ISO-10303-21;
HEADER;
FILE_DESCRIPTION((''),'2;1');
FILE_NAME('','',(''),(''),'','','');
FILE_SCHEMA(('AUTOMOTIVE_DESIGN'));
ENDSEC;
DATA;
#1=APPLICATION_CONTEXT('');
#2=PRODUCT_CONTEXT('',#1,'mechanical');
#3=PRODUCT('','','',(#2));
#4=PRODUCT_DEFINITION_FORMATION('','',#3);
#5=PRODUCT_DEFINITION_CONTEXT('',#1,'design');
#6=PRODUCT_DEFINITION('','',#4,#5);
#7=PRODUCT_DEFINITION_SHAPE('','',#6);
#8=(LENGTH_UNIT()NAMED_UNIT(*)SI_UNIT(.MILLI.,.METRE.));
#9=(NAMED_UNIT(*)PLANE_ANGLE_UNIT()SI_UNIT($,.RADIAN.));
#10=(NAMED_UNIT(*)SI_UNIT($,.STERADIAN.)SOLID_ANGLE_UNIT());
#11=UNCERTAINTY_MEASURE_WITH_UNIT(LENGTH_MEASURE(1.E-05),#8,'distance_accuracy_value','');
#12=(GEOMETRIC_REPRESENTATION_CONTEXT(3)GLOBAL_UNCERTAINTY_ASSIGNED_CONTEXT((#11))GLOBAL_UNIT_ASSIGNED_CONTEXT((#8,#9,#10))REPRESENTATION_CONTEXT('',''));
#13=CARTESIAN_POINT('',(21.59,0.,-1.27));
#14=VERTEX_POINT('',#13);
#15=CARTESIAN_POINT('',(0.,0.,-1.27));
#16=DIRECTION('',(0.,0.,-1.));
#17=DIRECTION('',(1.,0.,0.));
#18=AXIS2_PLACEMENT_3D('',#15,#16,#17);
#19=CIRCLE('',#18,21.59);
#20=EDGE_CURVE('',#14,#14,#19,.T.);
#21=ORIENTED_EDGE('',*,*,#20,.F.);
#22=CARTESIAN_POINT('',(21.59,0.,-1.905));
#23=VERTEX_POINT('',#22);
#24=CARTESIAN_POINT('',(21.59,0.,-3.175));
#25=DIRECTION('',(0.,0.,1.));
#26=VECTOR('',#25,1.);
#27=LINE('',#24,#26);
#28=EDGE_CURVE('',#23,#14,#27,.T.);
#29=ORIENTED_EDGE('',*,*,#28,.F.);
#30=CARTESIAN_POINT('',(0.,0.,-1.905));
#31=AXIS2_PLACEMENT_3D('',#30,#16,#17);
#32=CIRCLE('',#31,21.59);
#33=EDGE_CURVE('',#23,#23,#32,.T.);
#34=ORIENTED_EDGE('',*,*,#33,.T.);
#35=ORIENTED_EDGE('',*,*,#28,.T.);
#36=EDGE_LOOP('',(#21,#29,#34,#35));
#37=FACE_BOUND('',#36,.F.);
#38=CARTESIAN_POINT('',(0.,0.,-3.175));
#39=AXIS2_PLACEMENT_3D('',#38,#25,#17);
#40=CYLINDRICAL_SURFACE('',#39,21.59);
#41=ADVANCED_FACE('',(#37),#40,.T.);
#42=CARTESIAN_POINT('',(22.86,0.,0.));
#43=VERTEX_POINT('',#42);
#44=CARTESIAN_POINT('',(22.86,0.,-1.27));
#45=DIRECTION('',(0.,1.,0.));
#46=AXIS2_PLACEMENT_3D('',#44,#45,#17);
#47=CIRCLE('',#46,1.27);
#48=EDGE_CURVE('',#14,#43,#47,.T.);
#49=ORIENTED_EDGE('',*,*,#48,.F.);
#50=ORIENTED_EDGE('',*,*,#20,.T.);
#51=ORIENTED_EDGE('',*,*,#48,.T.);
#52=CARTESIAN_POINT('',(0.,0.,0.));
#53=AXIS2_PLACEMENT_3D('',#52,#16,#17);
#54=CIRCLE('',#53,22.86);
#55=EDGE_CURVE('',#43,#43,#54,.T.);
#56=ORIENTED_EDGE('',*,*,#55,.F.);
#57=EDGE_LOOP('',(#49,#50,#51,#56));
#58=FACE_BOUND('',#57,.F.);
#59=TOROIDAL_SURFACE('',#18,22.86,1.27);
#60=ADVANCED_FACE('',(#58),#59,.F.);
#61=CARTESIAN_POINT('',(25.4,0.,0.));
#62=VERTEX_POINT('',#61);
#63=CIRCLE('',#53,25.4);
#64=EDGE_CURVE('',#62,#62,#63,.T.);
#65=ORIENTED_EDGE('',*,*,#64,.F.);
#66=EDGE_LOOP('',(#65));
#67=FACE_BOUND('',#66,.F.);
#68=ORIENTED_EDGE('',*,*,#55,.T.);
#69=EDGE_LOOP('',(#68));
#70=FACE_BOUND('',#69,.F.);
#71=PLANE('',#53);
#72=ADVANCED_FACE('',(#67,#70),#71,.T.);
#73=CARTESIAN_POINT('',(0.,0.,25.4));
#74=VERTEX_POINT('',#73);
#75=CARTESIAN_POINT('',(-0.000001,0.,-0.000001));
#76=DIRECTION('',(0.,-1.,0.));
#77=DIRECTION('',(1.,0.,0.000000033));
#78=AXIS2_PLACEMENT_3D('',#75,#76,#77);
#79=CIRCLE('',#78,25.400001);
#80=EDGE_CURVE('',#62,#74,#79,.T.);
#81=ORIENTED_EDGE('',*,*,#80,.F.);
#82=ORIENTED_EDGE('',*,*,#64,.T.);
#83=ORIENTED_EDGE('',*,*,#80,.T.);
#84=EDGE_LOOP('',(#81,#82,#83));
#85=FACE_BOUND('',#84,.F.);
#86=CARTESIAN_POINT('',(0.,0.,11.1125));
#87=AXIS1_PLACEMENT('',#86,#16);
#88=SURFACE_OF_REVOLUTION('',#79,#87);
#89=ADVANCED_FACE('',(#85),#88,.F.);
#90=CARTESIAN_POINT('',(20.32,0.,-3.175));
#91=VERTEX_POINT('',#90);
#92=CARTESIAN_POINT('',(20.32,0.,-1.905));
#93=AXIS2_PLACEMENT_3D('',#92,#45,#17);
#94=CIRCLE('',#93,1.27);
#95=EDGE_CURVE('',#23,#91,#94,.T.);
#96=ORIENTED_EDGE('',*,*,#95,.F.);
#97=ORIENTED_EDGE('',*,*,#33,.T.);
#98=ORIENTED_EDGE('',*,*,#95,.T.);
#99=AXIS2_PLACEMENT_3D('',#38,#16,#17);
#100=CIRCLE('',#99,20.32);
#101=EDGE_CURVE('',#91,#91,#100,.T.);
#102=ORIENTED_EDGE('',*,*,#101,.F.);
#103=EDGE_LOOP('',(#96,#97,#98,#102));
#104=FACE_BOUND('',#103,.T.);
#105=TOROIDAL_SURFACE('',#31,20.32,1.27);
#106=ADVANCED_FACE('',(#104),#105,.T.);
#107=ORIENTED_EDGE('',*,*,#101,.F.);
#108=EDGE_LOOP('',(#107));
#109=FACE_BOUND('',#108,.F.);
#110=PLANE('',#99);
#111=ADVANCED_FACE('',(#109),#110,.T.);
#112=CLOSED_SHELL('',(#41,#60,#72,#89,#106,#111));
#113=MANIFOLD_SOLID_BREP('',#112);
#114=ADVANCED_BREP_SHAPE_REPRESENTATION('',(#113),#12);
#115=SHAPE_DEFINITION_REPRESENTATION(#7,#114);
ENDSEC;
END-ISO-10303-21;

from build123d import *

# Parameters (mm, degrees)
F2_R = 1.27
F3_R = 1.27


with BuildPart() as f1:
    # F0 (on Front) → F1 (revolve)
    with BuildSketch(Plane.XZ):
        with BuildLine():
            Line((0, -3.175), (21.59, -3.175))
            Line((21.59, -3.175), (21.59, 0))
            Line((21.59, 0), (25.4, 0))
            ThreePointArc((25.4, 0), (17.960512, 17.960512), (0, 25.4))
            Line((0, 25.4), (0, -3.175))
        make_face()
    revolve(axis=Axis((0, 0, 11.1125), (0, 0, -1)))

    # F2
    f2_edges = [f1.edges().sort_by_distance(p)[0] for p in [
        (-21.59, 0, 0),
    ]]
    fillet(f2_edges, radius=F2_R)

    # F3
    f3_edges = [f1.edges().sort_by_distance(p)[0] for p in [
        (-21.59, 0, -3.175),
    ]]
    fillet(f3_edges, radius=F3_R)


solid = f1.part
